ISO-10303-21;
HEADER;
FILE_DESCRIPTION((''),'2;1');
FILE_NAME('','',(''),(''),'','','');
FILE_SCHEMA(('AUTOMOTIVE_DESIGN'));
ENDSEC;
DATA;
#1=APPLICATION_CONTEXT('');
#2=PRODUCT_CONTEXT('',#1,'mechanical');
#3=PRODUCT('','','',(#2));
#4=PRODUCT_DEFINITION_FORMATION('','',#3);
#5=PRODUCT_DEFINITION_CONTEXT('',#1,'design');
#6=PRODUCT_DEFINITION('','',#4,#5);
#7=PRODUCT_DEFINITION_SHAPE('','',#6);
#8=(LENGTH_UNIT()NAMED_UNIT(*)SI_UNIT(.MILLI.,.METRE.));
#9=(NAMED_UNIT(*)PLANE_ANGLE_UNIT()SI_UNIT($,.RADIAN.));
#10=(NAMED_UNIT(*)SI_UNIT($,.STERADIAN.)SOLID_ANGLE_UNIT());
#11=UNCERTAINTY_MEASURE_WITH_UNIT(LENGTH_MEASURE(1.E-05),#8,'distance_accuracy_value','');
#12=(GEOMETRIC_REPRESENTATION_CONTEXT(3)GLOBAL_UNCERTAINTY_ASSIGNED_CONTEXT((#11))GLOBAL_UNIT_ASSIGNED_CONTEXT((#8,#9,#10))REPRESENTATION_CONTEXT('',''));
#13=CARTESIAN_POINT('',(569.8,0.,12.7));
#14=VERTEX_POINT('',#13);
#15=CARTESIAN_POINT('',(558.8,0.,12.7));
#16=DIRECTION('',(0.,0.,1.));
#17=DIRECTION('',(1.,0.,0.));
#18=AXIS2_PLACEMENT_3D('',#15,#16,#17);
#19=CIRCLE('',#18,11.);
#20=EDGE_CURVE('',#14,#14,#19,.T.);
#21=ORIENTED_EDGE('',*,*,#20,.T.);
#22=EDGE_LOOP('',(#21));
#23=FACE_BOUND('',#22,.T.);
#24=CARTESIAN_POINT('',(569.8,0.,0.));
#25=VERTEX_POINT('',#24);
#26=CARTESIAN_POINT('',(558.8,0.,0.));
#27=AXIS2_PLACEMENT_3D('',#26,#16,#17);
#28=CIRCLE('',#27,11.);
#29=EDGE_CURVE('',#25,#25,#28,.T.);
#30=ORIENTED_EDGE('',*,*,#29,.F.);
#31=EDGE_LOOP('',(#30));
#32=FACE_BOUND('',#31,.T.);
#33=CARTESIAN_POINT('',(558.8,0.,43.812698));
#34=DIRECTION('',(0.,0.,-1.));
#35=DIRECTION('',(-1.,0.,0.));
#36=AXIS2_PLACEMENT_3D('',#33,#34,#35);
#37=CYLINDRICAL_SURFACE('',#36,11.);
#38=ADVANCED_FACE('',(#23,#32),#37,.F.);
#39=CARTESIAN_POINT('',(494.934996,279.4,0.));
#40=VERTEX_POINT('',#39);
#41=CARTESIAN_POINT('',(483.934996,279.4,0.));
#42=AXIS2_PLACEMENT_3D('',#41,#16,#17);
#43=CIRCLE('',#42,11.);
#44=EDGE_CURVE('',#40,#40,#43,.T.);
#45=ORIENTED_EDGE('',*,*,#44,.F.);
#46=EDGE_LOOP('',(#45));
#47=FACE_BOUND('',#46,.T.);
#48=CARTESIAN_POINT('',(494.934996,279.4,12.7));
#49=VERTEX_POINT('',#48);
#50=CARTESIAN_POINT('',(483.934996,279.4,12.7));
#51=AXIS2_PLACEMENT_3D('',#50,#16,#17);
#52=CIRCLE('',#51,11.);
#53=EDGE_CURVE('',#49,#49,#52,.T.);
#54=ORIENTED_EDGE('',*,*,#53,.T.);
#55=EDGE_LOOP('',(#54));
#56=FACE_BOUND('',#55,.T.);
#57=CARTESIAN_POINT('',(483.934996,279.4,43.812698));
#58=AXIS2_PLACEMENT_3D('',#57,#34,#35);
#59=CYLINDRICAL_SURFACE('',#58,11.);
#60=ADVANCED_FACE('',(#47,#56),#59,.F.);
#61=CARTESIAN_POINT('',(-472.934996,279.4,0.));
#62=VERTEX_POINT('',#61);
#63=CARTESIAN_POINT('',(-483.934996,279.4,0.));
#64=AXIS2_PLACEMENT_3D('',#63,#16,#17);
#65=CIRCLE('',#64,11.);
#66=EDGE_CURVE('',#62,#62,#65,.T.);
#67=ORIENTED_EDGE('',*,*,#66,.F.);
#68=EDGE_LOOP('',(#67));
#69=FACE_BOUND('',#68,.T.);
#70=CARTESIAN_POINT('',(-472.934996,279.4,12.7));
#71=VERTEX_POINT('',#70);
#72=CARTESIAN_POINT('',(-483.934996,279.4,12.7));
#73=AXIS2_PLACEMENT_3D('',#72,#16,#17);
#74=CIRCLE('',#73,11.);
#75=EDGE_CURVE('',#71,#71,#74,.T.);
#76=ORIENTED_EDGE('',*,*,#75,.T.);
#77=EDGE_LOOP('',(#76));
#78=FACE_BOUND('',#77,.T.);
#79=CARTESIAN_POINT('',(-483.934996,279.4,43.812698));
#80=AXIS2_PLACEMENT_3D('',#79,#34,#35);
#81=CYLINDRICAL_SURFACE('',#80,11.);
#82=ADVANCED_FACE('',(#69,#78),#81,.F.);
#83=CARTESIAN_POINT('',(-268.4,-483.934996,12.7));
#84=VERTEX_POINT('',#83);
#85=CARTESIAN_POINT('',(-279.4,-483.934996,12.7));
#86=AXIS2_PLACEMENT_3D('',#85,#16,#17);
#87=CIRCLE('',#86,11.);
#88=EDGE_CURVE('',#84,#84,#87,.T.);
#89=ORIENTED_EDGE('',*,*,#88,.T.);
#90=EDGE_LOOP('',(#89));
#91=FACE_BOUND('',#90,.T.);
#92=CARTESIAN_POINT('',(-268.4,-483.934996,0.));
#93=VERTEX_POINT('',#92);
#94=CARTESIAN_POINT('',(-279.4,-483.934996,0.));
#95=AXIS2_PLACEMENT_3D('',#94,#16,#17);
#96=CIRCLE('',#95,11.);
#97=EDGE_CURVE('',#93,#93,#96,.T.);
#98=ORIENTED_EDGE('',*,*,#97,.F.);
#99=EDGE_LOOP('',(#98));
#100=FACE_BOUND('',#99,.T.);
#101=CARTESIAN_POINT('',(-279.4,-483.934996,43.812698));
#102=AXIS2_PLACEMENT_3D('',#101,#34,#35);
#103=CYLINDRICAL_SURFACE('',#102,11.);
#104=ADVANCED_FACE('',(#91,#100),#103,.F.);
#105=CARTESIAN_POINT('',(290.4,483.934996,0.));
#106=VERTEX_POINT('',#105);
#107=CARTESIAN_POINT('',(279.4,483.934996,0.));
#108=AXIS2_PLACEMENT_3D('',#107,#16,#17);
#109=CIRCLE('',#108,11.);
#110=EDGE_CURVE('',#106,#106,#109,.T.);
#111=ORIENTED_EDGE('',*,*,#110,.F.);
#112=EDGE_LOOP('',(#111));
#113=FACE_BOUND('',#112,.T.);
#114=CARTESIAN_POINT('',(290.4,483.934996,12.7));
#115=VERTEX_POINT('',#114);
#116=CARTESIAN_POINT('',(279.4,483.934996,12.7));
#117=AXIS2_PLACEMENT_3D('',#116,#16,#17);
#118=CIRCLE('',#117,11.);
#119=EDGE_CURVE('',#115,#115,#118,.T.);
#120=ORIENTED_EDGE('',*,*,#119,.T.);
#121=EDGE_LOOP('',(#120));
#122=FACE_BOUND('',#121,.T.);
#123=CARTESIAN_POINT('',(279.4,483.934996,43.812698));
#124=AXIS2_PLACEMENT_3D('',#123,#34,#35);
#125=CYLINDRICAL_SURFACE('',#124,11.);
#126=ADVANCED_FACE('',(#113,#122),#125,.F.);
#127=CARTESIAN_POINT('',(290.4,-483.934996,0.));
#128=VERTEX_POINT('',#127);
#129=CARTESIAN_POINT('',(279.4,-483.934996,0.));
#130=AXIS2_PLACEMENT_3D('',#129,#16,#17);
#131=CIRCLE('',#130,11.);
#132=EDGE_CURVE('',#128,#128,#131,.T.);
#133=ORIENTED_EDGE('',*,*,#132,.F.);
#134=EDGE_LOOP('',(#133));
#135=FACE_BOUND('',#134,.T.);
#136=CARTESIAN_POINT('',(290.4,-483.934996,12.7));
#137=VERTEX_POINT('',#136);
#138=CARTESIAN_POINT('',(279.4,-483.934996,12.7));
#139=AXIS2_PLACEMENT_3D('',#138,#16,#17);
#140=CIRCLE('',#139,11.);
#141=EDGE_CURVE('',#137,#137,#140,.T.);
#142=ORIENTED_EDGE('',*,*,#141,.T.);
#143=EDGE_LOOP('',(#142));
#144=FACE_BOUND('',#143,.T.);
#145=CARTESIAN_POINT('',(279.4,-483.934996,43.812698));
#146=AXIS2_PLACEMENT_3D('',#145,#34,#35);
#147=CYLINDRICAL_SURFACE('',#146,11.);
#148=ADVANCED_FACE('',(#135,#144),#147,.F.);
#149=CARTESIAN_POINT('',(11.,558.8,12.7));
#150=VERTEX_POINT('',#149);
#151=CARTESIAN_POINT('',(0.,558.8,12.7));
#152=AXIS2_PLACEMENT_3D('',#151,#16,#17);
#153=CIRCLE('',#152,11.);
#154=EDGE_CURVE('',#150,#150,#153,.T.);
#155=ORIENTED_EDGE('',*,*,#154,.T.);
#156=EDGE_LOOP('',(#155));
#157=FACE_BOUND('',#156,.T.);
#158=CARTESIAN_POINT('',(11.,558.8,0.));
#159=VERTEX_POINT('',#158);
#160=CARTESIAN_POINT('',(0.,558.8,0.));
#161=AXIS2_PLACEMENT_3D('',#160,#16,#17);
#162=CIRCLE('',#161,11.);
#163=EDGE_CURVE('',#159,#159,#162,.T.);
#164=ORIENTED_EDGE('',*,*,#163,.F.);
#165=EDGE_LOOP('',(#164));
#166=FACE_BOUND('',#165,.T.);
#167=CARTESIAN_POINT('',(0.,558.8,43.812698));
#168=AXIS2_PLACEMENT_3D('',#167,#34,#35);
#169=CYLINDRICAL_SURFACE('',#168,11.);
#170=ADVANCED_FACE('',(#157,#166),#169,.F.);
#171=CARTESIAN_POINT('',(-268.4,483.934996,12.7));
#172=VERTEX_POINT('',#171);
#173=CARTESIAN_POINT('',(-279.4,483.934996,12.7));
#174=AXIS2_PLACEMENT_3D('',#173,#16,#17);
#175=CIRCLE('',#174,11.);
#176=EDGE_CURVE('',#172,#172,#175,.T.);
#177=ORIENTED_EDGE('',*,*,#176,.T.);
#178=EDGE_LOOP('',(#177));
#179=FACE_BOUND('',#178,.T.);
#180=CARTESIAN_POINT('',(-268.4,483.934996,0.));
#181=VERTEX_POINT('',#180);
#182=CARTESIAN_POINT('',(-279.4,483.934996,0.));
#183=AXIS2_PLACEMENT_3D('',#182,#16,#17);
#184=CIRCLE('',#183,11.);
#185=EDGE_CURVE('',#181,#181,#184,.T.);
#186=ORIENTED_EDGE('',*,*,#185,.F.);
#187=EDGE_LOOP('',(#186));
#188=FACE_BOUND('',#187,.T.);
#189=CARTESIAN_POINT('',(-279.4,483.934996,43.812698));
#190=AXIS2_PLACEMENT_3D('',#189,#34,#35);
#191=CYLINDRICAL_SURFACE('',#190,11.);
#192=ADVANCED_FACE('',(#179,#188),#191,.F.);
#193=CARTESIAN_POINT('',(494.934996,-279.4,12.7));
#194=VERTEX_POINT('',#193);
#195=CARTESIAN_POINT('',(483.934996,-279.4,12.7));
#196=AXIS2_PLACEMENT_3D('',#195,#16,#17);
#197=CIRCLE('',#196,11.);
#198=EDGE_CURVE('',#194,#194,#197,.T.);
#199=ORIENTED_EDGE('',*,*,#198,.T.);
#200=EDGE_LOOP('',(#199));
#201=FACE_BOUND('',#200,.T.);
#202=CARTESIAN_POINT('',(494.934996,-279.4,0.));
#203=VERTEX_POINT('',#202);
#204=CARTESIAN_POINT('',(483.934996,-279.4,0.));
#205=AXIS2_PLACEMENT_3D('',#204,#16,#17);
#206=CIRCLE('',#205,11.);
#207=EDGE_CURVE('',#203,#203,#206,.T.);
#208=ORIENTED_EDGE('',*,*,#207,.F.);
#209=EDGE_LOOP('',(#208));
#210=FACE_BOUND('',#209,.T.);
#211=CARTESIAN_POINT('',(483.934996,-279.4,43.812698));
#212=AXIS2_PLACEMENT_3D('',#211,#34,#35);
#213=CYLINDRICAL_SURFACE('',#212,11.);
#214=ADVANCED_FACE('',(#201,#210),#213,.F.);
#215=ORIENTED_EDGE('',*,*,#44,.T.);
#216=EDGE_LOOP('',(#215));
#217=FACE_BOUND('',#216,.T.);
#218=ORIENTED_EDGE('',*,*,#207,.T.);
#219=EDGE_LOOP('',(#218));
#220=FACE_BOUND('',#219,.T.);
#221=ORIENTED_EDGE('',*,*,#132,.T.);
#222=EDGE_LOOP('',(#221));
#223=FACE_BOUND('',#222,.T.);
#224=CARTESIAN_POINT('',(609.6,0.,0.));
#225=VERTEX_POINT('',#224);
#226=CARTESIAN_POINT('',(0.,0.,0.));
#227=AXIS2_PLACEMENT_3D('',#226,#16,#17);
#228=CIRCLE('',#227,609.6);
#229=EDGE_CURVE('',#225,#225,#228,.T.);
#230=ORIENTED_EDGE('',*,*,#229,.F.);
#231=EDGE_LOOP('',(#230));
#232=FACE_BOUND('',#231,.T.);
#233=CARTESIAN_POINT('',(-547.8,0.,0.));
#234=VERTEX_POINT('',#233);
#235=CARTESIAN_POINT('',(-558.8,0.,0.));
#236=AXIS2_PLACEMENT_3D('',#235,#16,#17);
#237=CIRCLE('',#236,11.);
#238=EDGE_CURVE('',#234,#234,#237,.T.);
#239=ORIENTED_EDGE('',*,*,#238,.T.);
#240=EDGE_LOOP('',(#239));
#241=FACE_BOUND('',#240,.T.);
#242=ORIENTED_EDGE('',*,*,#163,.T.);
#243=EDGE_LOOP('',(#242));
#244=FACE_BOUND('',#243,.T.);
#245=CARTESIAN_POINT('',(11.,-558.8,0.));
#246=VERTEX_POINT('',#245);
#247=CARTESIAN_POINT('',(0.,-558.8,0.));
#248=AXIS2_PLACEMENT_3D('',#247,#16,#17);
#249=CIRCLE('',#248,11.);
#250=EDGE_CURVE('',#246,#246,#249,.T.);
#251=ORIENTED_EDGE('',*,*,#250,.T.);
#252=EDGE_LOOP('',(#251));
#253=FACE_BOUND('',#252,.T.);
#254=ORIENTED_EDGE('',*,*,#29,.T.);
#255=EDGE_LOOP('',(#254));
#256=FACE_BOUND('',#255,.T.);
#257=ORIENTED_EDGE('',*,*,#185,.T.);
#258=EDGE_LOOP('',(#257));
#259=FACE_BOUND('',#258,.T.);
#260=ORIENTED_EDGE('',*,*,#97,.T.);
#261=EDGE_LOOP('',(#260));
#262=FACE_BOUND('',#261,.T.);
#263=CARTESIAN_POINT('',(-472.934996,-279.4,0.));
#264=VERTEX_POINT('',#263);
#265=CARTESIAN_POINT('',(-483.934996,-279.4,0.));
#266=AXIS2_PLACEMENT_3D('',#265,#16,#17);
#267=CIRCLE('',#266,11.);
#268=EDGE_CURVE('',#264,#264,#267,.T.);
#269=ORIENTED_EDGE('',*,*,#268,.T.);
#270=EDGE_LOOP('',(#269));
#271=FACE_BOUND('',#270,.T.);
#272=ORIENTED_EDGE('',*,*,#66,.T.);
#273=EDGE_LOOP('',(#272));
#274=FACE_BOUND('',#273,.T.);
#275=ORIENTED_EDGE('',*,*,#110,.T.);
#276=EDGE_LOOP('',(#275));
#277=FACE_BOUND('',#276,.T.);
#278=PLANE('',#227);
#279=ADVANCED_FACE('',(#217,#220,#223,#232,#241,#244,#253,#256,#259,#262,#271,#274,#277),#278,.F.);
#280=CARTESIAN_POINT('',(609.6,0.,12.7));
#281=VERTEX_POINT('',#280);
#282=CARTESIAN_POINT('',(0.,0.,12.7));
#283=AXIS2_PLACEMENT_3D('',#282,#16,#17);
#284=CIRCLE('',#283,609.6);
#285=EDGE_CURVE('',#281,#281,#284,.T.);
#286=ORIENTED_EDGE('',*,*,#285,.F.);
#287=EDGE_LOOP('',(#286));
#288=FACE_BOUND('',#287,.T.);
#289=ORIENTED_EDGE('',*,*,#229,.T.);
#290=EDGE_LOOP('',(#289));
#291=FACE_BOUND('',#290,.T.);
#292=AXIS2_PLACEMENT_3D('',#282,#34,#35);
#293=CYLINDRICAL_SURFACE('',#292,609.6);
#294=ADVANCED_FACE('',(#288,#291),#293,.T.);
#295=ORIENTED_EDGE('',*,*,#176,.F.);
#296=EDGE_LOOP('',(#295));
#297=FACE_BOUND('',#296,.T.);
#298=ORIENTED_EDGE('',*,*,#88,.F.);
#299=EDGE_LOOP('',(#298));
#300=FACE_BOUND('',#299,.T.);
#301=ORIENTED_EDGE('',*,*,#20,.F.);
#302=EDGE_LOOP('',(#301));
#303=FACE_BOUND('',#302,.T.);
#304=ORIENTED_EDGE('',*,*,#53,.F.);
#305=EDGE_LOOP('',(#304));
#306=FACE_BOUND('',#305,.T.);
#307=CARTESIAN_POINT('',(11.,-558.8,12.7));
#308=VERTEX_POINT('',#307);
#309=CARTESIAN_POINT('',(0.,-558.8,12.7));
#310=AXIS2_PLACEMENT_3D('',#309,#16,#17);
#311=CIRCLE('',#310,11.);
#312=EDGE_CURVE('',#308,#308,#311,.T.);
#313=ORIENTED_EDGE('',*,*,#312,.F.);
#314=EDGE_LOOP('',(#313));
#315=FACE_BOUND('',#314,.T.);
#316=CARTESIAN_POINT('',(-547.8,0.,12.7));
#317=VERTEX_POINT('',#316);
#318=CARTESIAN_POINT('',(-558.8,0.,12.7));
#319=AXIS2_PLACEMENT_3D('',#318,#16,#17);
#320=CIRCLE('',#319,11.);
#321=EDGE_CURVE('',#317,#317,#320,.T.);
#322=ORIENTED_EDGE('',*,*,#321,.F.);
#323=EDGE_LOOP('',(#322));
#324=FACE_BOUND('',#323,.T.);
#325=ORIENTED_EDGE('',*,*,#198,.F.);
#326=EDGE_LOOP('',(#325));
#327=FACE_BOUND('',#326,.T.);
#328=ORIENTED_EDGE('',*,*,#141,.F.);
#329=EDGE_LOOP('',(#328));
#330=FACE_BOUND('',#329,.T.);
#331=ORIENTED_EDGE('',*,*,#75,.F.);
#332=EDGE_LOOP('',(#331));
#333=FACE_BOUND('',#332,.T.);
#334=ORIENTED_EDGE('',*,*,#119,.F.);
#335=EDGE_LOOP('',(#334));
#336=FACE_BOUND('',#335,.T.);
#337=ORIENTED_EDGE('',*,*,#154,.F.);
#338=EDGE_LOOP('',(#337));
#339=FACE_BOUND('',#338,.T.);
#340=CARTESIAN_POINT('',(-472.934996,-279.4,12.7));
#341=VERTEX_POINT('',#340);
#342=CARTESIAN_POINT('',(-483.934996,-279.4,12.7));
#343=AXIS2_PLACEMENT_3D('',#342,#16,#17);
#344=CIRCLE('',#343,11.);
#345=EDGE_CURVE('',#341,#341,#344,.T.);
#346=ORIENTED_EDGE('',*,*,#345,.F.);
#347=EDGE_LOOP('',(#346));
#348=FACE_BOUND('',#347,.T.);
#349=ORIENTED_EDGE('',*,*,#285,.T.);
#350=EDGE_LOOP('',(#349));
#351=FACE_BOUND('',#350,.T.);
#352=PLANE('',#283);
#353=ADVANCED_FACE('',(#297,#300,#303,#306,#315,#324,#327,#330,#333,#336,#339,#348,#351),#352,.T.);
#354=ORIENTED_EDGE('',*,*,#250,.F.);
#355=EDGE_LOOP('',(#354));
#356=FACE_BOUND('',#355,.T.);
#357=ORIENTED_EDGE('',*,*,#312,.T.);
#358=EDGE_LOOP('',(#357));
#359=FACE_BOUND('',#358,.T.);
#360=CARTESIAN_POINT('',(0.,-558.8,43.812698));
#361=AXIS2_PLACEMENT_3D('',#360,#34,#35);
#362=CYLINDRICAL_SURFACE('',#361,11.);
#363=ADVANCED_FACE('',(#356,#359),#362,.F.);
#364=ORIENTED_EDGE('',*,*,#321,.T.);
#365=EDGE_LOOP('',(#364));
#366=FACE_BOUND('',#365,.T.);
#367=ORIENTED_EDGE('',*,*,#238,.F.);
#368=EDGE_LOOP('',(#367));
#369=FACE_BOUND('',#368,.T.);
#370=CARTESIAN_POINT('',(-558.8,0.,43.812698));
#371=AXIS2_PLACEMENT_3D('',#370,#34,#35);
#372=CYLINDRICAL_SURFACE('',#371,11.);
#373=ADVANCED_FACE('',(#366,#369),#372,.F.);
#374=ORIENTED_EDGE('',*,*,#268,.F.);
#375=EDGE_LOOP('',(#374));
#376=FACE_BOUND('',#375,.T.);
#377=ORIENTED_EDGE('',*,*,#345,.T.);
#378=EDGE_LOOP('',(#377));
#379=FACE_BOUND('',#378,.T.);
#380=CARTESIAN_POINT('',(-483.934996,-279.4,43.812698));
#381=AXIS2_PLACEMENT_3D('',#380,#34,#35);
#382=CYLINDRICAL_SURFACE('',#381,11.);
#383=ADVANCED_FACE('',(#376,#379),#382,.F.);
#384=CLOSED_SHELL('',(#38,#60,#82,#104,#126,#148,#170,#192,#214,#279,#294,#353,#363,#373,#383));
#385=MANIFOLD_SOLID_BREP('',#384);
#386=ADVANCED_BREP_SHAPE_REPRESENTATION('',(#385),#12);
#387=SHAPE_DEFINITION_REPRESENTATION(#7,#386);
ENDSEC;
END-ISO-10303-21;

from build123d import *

# Parameters (mm, degrees)
SKETCH1_R           = 609.6
BOSS_EXTRUDE1_DEPTH = 12.7
SKETCH2_R           = 11
CUT_EXTRUDE1_DEPTH  = 12.7


with BuildPart() as part:
    # Sketch1 → Boss-Extrude1 (new body)
    with BuildSketch(Plane.XY):
        Circle(SKETCH1_R)
    extrude(amount=BOSS_EXTRUDE1_DEPTH)

    # Sketch2 → Cut-Extrude1 (cut)
    with BuildSketch(Plane.XY):
        with Locations((0, 558.8)):
            Circle(SKETCH2_R)
        with Locations((279.4, 483.934995635)):
            Circle(SKETCH2_R)
        with Locations((483.934995635, 279.4)):
            Circle(SKETCH2_R)
        with Locations((558.8, 0)):
            Circle(SKETCH2_R)
        with Locations((483.934995635, -279.4)):
            Circle(SKETCH2_R)
        with Locations((279.4, -483.934995635)):
            Circle(SKETCH2_R)
        with Locations((0, -558.8)):
            Circle(SKETCH2_R)
        with Locations((-279.4, -483.934995635)):
            Circle(SKETCH2_R)
        with Locations((-483.934995635, -279.4)):
            Circle(SKETCH2_R)
        with Locations((-558.8, 0)):
            Circle(SKETCH2_R)
        with Locations((-483.934995635, 279.4)):
            Circle(SKETCH2_R)
        with Locations((-279.4, 483.934995635)):
            Circle(SKETCH2_R)
    extrude(amount=CUT_EXTRUDE1_DEPTH, mode=Mode.SUBTRACT)


solid = part.part
